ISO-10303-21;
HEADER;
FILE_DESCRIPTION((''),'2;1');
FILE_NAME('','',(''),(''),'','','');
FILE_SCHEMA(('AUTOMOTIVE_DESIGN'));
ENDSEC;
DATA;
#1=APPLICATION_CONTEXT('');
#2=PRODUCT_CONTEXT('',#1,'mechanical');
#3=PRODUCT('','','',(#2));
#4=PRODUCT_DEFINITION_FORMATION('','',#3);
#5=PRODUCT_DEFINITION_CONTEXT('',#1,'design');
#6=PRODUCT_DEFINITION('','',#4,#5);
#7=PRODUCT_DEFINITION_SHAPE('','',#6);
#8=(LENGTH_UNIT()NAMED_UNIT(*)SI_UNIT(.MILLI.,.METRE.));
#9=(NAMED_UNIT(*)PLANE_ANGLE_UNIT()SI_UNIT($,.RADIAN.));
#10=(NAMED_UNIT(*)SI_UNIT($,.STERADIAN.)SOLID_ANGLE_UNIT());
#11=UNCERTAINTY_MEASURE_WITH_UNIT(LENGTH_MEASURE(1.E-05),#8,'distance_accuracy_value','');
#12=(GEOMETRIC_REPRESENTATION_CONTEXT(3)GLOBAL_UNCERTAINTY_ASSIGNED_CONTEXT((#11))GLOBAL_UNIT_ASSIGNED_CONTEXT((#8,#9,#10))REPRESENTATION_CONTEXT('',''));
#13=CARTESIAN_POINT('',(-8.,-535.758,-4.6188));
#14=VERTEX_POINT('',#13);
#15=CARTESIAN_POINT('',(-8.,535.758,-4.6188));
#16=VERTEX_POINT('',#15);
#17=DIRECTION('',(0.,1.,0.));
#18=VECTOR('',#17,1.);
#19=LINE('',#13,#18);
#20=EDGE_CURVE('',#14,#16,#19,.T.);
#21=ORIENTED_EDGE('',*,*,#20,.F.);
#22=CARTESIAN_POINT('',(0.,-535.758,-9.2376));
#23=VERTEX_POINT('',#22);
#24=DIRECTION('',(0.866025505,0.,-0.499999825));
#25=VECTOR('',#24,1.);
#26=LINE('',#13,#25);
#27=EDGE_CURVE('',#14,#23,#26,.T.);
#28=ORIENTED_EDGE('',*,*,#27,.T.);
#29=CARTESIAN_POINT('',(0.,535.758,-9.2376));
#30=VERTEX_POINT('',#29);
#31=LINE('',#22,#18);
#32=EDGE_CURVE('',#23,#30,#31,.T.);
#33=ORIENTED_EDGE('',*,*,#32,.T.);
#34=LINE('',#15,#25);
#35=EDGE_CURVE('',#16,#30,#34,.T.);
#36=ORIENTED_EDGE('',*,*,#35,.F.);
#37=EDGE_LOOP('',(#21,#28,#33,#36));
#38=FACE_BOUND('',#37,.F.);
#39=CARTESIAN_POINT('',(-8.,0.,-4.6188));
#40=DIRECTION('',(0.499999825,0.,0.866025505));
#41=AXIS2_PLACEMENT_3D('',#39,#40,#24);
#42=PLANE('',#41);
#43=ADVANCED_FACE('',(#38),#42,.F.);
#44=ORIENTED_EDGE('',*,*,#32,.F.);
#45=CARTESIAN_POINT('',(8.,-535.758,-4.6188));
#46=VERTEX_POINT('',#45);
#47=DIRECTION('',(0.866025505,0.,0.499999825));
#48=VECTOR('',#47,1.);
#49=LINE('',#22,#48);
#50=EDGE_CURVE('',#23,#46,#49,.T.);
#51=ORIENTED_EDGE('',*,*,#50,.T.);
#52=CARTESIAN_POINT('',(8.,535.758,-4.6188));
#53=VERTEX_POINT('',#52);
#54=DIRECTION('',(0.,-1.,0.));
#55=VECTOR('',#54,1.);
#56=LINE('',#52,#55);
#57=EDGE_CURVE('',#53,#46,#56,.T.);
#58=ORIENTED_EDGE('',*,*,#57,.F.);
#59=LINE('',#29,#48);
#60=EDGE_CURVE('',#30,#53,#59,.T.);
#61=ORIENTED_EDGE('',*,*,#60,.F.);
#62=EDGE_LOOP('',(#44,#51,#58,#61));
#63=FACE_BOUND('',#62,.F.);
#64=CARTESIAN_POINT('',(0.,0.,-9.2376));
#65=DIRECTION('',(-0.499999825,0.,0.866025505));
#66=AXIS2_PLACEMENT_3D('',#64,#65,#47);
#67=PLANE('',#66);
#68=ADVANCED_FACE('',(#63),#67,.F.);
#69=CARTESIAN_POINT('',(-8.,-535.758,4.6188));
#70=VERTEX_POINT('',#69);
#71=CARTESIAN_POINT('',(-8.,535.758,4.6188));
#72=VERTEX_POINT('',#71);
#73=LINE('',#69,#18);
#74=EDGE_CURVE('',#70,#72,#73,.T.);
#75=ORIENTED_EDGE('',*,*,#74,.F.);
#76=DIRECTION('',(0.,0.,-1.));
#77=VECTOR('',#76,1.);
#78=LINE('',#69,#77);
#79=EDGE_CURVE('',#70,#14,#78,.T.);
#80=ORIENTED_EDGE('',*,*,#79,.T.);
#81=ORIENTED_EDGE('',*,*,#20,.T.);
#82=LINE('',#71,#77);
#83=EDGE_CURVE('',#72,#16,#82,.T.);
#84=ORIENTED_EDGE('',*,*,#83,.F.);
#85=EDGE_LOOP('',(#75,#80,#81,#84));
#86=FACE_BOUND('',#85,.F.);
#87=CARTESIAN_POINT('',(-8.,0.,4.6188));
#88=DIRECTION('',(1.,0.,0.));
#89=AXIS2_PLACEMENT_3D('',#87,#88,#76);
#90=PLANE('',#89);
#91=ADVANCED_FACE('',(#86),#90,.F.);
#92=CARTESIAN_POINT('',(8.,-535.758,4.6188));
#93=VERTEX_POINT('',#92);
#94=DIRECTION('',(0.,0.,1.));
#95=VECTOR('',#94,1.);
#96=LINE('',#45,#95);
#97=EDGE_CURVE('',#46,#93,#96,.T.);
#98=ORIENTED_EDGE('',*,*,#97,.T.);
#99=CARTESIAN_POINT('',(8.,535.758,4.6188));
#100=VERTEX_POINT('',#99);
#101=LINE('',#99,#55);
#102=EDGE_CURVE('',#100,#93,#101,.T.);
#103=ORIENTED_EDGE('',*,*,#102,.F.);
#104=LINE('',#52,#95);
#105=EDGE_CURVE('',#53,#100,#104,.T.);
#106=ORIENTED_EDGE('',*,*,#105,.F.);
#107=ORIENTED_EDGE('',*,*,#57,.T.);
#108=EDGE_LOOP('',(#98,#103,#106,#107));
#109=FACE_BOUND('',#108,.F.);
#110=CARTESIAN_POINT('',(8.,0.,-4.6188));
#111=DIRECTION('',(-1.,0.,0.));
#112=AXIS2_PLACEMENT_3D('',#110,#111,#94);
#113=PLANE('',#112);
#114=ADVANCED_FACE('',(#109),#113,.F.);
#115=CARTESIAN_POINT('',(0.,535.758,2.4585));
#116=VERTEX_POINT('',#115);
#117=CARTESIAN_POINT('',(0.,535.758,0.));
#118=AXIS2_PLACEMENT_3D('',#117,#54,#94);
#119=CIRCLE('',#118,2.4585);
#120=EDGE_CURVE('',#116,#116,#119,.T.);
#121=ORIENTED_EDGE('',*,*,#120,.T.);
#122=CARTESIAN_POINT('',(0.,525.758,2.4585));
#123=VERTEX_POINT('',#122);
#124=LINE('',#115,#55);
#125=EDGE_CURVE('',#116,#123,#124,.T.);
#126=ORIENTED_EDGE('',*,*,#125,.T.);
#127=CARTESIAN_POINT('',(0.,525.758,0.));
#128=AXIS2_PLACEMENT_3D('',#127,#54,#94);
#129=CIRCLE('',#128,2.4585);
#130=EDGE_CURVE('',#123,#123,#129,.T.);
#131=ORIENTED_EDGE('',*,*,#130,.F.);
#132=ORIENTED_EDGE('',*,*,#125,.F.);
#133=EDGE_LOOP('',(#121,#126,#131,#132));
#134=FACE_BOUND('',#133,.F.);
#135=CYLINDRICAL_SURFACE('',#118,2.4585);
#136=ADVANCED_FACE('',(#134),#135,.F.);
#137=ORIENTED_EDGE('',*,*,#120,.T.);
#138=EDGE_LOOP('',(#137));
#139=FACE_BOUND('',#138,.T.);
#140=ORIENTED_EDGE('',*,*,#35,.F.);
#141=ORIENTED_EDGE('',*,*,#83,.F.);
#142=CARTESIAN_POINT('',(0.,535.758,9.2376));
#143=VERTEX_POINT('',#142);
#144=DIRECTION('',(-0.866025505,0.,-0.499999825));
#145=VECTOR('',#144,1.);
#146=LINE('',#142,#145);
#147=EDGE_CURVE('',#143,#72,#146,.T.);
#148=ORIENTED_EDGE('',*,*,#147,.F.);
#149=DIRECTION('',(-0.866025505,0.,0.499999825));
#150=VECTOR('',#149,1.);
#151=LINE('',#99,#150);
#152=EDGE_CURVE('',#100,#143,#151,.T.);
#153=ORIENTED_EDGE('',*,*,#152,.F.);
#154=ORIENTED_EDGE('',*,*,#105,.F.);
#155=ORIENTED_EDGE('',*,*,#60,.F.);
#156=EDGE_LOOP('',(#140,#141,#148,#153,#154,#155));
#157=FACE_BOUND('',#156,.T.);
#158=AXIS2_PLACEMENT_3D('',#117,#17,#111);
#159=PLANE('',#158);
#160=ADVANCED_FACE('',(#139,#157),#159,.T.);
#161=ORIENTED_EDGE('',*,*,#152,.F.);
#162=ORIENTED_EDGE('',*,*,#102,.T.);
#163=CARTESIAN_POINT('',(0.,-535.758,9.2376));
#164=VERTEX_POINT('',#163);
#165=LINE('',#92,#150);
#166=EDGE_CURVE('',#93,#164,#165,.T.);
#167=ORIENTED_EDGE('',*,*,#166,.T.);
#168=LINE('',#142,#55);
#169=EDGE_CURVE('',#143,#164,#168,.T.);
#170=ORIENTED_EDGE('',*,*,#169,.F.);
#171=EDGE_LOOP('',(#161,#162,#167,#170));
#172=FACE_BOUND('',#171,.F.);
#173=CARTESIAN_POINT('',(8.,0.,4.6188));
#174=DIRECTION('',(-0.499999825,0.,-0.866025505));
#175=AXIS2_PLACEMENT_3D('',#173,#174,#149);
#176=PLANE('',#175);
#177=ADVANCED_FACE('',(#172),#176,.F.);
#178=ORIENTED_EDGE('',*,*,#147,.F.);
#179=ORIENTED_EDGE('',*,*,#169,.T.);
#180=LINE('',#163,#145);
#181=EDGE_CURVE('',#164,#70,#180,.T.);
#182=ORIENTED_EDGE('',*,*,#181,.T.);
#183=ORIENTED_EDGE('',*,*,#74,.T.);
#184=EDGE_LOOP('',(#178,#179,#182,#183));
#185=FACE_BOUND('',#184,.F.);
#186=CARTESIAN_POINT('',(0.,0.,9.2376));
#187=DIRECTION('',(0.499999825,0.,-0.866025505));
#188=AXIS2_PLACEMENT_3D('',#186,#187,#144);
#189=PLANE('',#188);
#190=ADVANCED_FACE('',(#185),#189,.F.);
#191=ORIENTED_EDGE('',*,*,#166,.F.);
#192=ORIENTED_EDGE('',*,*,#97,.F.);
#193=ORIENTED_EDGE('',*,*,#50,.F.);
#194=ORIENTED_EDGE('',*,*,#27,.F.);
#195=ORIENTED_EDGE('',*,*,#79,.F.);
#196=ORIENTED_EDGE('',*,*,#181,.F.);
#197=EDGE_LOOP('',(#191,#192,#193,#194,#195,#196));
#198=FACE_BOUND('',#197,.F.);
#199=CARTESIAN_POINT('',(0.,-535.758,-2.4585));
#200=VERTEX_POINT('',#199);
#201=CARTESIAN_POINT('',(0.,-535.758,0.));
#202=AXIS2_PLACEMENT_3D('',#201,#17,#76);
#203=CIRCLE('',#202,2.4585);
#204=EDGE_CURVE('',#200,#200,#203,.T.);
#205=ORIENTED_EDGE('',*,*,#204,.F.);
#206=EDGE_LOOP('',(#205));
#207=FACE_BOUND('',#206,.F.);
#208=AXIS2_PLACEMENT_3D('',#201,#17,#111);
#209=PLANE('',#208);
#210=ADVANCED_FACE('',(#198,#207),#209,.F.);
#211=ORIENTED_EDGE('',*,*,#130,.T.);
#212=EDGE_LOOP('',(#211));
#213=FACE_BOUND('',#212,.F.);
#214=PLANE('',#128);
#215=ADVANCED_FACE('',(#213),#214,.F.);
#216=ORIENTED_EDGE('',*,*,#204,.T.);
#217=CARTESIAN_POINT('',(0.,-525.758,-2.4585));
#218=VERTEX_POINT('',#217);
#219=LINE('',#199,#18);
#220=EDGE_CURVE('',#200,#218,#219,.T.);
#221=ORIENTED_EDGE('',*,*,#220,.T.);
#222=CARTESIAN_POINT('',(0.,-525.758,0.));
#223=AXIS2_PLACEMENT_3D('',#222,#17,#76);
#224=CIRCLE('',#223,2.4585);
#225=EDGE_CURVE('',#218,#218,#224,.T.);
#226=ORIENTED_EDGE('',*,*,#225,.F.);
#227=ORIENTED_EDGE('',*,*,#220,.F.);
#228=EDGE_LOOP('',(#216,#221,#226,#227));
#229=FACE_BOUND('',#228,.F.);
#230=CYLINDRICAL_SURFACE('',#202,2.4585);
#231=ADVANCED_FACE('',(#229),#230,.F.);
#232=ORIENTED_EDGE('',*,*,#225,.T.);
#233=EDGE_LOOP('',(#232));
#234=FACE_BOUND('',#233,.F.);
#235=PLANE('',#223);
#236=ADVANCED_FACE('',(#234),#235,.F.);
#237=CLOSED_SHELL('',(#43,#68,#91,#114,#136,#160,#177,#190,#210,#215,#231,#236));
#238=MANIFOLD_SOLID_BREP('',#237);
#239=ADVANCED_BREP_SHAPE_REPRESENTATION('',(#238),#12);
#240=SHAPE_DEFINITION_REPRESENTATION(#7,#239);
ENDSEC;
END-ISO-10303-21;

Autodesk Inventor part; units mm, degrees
ref_plane "YZ Plane" through (0, 0, 0) normal (1, 0, 0) x (0, 1, 0)
ref_plane "XZ Plane" through (0, 0, 0) normal (0, 1, 0) x (-1, 0, 0)
ref_plane "XY Plane" through (0, 0, 0) normal (0, 0, 1) x (1, 0, 0)
sketch "Sketch1" plane through (0, 0, 0) normal (0, 1, 0) x (-1, 0, 0)
  circle A0 centre (0, 0) radius 6.35
  line L0 (0, -9.2376) -> (-8, -4.6188)
  line L1 (-8, -4.6188) -> (-8, 4.6188)
  line L2 (-8, 4.6188) -> (0, 9.2376)
  line L3 (0, 9.2376) -> (8, 4.6188)
  line L4 (8, 4.6188) -> (8, -4.6188)
  line L5 (8, -4.6188) -> (0, -9.2376)
  dimension "d0" = 12.7
  dimension "d3" = 16
extrude "Extrusion1" add sketch "Sketch1" along normal mid plane 1071.516 contours A0 | L0 L1 L2 L3 L4 L5
sketch "Sketch2" plane through (0, 535.758, 0) normal (0, 1, 0) x (1, 0, 0)
  point P0 (0, 0)
  point P1 (0, 0)
hole "Hole1" at (0, 535.758, 0) direction (0, -1, 0) diameter 4.917 depth 10 thread size "M6x1" class "6H" standard "ISO Metric profile"
sketch "Sketch3" plane through (0, -535.758, 0) normal (0, -1, 0) x (1, 0, 0)
  point P0 (0, 0)
  point P1 (0, 0)
hole "Hole2" at (0, -535.758, 0) direction (0, 1, 0) diameter 4.917 depth 10 thread size "M6x1" class "6H" standard "ISO Metric profile"
properties part number "SP17V1 Varilla Pedal"
